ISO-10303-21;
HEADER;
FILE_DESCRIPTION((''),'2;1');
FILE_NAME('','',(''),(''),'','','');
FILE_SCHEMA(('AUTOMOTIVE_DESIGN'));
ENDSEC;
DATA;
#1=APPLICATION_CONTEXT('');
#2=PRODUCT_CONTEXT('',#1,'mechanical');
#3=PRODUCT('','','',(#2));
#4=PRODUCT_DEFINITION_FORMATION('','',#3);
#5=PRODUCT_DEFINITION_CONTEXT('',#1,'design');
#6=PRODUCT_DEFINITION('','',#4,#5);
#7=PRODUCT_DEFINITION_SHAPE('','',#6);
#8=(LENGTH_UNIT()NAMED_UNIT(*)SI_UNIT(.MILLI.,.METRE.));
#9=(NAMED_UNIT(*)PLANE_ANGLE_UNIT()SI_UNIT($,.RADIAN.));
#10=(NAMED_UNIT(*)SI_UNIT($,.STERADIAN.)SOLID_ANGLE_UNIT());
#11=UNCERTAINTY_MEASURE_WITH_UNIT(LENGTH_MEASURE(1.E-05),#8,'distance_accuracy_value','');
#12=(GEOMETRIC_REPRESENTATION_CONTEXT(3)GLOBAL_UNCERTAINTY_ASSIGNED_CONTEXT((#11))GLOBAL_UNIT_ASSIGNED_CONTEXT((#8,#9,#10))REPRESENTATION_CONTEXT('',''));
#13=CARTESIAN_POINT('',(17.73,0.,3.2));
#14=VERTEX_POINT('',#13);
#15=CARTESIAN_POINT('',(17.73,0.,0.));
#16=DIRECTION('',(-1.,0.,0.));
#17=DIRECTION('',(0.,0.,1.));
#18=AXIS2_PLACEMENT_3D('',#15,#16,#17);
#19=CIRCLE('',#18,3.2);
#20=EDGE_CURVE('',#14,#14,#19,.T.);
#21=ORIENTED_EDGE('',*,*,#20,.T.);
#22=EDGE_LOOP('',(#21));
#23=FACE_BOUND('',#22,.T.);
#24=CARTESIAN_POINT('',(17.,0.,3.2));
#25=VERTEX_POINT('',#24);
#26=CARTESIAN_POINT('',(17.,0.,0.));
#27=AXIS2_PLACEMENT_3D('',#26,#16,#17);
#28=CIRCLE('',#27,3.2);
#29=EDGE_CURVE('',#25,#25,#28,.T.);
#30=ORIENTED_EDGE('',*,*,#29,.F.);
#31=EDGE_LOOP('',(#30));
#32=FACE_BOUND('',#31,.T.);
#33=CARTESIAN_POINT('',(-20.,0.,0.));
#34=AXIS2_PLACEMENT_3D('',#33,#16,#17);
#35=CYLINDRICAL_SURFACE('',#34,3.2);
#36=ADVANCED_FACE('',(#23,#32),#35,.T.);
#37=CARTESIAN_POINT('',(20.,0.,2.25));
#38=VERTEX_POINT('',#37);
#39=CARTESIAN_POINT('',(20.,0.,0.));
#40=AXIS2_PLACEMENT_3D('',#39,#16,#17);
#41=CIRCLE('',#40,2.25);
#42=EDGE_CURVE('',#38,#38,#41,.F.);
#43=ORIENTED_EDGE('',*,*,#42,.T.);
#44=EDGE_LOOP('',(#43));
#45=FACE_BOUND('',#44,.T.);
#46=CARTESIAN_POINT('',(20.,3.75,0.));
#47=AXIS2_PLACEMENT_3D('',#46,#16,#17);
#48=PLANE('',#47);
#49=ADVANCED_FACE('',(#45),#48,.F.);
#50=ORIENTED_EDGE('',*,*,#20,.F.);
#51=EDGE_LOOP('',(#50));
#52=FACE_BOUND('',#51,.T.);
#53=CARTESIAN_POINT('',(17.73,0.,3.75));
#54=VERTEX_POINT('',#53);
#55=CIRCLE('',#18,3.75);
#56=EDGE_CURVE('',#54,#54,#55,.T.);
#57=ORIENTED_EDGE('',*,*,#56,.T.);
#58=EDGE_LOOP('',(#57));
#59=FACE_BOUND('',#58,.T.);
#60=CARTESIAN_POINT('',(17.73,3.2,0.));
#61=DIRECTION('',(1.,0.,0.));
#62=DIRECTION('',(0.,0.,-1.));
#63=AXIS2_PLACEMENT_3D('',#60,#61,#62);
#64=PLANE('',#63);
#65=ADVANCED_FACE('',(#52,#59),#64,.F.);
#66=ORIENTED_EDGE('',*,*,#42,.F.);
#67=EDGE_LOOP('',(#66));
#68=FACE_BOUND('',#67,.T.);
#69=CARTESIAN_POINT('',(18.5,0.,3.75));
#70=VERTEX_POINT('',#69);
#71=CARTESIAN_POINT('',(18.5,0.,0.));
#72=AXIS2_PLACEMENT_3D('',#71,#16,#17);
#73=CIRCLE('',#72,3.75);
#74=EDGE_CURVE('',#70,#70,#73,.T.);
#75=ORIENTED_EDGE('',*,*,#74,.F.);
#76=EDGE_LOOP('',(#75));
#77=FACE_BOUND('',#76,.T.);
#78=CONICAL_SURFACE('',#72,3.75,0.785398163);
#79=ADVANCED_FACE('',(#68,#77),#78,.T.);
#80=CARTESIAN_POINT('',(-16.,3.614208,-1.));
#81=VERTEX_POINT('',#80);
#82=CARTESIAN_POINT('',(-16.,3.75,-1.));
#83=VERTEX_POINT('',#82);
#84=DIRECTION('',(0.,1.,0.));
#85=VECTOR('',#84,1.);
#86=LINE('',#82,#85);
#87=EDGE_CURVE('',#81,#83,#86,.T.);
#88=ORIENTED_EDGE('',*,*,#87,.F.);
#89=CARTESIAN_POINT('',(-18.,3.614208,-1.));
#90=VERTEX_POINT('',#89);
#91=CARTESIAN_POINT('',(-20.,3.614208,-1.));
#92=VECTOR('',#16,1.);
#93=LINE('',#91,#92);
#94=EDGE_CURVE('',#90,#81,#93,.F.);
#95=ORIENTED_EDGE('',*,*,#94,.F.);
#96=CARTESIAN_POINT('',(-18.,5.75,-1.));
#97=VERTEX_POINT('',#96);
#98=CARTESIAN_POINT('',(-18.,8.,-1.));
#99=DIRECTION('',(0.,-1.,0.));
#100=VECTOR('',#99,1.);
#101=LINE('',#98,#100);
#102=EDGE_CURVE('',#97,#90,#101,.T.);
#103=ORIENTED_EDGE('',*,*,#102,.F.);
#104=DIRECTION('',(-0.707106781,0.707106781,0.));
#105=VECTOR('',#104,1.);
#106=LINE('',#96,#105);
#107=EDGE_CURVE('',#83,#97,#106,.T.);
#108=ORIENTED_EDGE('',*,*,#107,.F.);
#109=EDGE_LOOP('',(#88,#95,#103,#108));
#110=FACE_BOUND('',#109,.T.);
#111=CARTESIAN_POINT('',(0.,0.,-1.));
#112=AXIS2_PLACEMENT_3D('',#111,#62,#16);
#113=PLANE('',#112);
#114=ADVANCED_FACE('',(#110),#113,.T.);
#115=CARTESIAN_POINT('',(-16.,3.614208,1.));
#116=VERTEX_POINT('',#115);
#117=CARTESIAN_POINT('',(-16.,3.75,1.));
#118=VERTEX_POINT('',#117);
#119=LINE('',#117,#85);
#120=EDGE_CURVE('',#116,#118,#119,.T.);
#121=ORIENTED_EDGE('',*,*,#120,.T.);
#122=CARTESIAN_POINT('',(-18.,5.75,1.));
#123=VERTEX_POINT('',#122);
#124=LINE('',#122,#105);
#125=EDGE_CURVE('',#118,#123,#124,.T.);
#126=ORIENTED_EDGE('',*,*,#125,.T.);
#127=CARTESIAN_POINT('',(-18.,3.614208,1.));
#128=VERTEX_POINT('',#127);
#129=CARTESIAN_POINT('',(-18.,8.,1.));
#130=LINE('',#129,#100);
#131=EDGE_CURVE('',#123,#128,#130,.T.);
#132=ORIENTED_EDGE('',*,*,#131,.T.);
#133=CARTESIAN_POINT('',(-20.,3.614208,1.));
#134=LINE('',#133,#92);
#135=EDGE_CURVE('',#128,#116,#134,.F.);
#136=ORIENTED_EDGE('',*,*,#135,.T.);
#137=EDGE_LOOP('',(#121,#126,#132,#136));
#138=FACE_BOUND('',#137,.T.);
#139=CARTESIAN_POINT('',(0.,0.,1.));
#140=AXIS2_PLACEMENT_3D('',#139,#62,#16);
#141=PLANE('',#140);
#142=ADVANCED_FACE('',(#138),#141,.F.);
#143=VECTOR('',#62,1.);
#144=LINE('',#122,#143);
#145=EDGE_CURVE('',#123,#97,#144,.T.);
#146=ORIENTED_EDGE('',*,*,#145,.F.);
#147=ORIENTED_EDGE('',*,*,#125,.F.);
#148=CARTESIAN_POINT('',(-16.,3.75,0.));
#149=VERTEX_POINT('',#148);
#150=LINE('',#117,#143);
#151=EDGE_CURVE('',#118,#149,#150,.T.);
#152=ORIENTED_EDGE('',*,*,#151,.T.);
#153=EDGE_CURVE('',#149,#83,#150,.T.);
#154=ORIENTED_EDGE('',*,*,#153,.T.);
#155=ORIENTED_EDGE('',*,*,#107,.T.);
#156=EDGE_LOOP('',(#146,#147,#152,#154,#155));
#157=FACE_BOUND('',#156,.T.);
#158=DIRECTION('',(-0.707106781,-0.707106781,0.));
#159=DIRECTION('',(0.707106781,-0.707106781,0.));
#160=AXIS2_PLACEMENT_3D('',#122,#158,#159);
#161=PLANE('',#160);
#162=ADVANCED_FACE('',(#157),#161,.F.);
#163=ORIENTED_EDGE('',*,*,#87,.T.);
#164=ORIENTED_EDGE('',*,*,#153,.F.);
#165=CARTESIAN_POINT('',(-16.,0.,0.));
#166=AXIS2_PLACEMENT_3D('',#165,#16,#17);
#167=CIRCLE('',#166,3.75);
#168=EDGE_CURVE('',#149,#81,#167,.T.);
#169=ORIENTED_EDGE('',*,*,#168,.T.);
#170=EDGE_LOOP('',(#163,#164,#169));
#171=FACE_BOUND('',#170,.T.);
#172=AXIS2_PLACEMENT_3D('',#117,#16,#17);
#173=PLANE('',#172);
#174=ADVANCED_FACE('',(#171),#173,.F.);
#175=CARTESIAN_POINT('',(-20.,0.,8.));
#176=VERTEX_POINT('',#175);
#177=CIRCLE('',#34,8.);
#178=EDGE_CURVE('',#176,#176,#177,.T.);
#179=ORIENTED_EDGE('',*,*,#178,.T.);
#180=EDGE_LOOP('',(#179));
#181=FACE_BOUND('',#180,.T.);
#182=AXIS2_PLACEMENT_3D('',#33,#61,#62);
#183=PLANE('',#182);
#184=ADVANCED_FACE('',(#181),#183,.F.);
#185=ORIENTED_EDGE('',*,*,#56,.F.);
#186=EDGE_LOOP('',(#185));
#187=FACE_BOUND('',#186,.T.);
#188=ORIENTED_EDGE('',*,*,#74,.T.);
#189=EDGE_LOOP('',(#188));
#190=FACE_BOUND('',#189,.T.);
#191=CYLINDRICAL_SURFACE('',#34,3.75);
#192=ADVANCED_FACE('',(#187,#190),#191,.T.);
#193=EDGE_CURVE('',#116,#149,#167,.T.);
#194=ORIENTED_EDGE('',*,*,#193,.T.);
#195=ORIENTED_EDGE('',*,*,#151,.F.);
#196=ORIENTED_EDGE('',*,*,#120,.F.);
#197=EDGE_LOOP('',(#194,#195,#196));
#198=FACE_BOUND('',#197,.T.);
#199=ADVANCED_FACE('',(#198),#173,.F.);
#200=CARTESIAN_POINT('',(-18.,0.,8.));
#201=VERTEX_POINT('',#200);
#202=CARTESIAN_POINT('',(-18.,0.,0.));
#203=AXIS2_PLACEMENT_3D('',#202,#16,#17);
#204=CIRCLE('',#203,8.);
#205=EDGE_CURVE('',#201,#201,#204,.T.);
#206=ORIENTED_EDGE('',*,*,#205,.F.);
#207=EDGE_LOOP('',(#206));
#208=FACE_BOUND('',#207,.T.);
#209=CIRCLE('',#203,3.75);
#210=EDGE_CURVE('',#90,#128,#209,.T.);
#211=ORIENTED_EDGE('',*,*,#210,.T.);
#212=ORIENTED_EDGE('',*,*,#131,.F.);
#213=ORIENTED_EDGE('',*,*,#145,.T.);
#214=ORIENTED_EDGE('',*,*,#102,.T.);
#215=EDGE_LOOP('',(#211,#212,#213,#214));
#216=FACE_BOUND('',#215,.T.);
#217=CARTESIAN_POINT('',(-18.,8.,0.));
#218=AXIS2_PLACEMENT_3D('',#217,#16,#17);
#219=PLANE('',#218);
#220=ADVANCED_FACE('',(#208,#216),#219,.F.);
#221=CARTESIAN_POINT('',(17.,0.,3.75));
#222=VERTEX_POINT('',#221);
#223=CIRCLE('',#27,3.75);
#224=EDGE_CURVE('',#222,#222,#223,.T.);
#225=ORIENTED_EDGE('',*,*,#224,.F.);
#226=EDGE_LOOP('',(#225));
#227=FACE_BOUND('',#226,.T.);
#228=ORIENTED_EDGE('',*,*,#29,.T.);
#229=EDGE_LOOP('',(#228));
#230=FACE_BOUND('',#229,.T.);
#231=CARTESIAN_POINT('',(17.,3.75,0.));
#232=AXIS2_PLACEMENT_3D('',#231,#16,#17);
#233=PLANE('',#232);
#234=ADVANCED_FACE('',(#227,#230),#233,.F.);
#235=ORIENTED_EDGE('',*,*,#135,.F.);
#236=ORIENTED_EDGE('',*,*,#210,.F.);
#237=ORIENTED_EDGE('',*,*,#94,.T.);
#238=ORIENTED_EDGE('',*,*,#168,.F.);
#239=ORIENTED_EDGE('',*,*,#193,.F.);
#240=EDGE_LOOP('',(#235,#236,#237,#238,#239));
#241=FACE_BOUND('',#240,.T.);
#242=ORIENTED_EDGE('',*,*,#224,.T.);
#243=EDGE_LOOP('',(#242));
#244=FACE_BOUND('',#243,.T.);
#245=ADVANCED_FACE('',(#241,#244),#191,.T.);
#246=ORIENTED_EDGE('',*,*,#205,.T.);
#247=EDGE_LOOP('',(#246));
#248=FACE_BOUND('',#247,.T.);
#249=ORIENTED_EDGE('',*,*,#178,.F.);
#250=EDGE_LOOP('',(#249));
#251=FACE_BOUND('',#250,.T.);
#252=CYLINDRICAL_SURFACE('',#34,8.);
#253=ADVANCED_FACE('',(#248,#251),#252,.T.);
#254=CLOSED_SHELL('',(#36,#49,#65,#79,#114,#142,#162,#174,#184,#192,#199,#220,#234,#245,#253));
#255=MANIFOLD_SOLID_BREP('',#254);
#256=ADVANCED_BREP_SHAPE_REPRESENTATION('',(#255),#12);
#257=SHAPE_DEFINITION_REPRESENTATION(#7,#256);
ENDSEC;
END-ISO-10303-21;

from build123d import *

# Parameters (mm, degrees)
RIB_DEPTH     = 1
CHAMFER1_SIZE = 1.5


with BuildPart() as part:
    # Sketch1 → Main Body (revolve)
    with BuildSketch(Plane.XY, mode=Mode.PRIVATE) as main_body_sk:
        Polygon((-20, 0), (-20, 8), (-18, 8), (-18, 3.75), (17, 3.75), (17, 3.2), (17.73, 3.2), (17.73, 3.75), (20, 3.75), (20, 0), align=None)
    revolve(main_body_sk.sketch.rotate(Axis((-20, 0, 0), (1, 0, 0)), 90), axis=Axis((-20, 0, 0), (1, 0, 0)))

    # Sketch2 → Rib (add, symmetric)
    with BuildSketch(Plane.XY):
        Polygon((-18, 5.75), (-16, 3.75), (-16, 2.75), (-19, 2.75), (-19, 5.75), align=None)
    extrude(amount=RIB_DEPTH, both=True)

    # Chamfer1
    chamfer1_edges = [part.edges().sort_by_distance(p)[0] for p in [
        (20, 0, -3.75),
    ]]
    chamfer(chamfer1_edges, length=CHAMFER1_SIZE)


solid = part.part
